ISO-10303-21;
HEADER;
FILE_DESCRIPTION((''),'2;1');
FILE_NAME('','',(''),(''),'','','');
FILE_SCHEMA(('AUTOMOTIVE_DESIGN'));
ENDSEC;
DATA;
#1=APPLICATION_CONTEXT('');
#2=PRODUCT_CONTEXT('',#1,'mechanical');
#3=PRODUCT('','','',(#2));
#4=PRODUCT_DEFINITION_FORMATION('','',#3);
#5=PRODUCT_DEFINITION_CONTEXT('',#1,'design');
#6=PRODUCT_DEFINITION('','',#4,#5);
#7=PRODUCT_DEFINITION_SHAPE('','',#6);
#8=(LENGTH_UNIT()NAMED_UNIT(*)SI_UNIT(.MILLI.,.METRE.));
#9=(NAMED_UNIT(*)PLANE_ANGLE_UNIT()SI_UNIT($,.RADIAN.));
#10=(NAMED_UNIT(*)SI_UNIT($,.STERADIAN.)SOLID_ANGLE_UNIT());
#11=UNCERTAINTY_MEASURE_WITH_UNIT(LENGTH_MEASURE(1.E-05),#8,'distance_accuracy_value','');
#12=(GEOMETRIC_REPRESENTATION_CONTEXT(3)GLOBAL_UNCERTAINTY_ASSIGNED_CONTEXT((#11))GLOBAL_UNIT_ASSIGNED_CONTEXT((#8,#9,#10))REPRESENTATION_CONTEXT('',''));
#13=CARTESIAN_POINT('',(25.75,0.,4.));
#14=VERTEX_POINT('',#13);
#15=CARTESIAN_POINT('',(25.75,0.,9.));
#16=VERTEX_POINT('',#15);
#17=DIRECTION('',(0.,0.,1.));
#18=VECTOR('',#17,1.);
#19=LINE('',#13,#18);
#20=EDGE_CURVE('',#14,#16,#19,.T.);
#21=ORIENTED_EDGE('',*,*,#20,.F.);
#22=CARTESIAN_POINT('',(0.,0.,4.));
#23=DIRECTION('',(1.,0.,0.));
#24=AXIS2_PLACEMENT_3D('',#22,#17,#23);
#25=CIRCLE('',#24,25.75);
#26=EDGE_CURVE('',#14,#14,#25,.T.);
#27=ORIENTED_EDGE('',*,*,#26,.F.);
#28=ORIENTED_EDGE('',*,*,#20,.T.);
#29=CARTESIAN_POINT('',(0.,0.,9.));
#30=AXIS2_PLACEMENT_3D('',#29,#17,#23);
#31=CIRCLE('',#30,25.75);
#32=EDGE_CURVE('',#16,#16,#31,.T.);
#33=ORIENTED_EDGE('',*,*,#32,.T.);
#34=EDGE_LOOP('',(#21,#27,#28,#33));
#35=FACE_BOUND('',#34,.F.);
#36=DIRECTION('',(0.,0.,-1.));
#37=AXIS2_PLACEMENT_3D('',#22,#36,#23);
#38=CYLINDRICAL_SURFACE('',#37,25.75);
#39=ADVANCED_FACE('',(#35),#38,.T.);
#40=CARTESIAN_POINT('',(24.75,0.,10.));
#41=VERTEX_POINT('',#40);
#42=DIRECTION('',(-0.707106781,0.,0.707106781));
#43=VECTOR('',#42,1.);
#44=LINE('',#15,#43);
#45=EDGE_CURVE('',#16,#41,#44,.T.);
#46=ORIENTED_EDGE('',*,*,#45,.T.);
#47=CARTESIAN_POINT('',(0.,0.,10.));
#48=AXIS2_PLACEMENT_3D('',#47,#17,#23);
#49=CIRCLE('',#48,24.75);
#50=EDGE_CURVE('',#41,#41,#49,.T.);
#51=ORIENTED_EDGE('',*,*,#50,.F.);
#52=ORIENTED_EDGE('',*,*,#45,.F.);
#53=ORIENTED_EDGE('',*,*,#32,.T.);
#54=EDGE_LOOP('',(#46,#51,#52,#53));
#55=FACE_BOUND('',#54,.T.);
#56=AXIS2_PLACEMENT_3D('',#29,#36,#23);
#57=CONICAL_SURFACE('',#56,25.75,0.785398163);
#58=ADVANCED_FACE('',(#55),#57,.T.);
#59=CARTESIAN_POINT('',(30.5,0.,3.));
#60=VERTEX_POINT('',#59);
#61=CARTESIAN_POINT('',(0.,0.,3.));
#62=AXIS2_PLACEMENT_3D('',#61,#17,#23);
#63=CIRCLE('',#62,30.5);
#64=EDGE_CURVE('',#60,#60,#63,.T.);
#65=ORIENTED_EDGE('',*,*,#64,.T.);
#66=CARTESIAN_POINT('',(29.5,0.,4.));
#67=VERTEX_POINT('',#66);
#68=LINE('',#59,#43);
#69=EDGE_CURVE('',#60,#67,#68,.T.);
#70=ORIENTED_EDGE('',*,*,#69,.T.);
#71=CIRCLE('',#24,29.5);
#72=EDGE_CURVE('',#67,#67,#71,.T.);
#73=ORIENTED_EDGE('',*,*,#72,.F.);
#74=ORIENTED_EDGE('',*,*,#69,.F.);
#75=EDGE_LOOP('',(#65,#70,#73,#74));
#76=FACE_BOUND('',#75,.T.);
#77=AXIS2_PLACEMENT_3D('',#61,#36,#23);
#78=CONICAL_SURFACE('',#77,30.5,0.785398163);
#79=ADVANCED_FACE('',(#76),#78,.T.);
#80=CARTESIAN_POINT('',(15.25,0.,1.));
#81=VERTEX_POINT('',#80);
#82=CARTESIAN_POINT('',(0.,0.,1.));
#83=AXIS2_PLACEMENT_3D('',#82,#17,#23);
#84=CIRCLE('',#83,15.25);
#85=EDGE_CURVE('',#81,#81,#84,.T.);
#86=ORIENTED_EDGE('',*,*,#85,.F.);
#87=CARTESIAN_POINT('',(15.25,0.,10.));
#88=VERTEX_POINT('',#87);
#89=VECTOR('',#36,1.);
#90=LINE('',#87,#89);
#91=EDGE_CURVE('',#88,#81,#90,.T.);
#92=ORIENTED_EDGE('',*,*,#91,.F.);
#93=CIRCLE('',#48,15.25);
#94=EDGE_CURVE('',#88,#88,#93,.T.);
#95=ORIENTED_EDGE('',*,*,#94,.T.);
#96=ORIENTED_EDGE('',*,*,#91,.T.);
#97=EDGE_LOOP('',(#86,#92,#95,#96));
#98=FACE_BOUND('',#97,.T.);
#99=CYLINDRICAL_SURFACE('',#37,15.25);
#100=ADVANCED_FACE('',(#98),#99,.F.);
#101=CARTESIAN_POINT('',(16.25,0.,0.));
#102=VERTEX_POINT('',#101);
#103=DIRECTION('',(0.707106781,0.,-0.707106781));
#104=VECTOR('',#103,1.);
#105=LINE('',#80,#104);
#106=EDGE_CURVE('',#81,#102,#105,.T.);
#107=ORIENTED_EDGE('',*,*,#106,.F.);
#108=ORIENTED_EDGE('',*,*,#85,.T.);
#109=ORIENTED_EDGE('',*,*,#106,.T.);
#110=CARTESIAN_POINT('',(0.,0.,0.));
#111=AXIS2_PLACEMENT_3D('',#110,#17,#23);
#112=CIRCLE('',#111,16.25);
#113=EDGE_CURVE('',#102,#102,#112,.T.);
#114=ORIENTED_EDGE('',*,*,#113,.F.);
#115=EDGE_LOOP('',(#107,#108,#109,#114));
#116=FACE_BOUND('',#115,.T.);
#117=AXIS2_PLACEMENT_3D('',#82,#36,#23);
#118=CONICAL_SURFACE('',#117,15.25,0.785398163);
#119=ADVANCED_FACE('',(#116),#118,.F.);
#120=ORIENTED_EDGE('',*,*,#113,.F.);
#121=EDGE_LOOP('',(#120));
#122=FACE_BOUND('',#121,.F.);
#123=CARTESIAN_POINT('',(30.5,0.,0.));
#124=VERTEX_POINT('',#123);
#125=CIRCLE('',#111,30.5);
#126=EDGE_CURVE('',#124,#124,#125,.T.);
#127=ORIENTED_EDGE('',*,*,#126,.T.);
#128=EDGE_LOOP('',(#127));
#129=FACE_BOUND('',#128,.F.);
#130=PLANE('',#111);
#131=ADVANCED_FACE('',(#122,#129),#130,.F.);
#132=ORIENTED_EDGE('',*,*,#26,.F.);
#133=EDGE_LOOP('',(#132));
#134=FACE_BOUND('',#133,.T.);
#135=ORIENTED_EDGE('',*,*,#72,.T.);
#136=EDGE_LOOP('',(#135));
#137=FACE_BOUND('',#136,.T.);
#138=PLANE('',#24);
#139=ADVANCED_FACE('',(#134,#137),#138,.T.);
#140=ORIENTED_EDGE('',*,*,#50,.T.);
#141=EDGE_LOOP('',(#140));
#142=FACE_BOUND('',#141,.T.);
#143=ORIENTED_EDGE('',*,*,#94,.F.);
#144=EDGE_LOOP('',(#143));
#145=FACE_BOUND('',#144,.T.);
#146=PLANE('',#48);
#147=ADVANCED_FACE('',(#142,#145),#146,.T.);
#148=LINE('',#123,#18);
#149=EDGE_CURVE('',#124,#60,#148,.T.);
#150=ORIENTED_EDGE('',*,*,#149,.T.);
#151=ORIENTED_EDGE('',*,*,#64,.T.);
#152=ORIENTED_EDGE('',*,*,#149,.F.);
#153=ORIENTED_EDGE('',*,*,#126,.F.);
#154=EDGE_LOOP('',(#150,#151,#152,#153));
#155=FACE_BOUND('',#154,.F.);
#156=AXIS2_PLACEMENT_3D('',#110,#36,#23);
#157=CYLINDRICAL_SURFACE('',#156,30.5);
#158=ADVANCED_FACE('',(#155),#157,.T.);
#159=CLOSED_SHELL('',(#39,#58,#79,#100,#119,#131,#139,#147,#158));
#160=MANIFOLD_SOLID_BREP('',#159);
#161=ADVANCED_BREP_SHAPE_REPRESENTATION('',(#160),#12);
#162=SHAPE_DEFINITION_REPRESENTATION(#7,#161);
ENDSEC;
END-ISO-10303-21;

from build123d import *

# Parameters (mm, degrees)
F0_R     = 30.5
F0_R_2   = 15.25
F1_DEPTH = 4
F2_R     = 25.75
F2_R_2   = 15.25
F3_DEPTH = 6
F4_SIZE  = 1
F5_SIZE  = 1


with BuildPart() as f1:
    # F0 (on Top) → F1 (new body)
    with BuildSketch(Plane.XY):
        Circle(F0_R)
        Circle(F0_R_2, mode=Mode.SUBTRACT)
    extrude(amount=F1_DEPTH)

    # F2 (on face) → F3 (join)
    with BuildSketch(Plane.XY.offset(4)):
        Circle(F2_R)
        Circle(F2_R_2, mode=Mode.SUBTRACT)
    extrude(amount=F3_DEPTH)

    # F4
    f4_edges = [f1.edges().sort_by_distance(p)[0] for p in [
        (-25.75, 0, 10),
        (-30.5, 0, 4),
    ]]
    chamfer(f4_edges, length=F4_SIZE)

    # F5
    f5_edges = [f1.edges().sort_by_distance(p)[0] for p in [
        (-15.25, 0, 0),
    ]]
    chamfer(f5_edges, length=F5_SIZE)


solid = f1.part
